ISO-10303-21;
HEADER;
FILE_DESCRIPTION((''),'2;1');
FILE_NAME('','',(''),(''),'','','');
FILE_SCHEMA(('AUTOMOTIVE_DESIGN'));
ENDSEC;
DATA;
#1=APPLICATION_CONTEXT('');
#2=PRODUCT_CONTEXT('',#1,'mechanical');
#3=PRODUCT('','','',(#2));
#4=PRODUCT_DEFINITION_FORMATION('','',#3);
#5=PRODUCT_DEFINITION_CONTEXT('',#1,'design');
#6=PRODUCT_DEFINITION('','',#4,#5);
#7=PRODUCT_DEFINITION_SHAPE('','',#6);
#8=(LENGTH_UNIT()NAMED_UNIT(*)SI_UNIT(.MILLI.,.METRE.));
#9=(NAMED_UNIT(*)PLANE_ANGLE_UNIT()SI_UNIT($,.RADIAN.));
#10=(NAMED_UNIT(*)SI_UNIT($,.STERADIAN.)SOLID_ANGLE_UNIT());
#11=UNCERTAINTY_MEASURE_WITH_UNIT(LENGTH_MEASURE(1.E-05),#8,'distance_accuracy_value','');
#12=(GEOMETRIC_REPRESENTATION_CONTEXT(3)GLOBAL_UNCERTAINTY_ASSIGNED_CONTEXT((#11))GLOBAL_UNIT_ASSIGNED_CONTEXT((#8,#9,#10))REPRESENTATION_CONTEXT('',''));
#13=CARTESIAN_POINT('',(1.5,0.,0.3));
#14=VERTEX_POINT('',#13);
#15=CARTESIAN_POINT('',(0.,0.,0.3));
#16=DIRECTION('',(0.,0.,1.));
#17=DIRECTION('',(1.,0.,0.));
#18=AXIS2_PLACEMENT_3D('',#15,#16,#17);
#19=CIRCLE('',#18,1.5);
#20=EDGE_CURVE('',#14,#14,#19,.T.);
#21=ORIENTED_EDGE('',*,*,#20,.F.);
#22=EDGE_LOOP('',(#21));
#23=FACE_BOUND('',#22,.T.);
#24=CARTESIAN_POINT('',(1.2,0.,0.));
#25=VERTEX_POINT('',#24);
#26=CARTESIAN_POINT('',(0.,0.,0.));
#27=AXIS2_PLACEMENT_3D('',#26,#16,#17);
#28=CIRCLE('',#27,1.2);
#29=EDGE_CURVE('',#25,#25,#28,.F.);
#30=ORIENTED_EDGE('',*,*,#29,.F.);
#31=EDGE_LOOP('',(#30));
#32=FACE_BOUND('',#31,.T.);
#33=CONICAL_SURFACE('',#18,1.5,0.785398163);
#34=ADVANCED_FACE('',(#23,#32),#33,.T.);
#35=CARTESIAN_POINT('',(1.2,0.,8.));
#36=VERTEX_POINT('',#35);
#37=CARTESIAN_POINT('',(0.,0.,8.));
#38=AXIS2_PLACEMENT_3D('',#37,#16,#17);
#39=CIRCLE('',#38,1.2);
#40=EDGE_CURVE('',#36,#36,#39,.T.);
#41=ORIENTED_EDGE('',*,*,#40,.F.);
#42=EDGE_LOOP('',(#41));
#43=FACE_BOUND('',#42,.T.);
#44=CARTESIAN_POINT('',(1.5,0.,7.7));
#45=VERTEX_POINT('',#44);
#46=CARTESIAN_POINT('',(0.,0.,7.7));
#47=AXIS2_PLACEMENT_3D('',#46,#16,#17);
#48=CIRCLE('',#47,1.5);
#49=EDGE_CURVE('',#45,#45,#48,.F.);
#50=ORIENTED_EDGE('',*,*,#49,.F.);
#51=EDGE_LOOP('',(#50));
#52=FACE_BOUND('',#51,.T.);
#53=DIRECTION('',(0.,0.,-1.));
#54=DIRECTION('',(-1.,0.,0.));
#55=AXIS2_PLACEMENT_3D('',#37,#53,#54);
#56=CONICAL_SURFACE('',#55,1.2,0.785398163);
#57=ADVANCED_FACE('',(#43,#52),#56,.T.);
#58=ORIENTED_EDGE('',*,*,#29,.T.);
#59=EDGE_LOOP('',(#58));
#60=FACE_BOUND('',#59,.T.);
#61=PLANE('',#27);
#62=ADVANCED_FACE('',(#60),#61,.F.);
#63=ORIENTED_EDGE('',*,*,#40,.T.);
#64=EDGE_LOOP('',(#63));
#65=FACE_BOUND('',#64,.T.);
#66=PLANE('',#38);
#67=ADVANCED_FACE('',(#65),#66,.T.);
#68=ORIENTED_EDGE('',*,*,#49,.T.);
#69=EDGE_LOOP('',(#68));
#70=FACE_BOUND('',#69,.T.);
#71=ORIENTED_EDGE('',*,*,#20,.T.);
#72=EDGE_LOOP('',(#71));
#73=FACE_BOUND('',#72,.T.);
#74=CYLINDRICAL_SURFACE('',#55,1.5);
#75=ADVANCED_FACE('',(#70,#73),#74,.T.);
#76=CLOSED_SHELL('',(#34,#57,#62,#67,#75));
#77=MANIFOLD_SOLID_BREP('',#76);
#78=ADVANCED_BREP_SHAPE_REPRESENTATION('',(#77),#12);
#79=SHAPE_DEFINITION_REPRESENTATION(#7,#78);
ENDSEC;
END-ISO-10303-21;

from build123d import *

# Parameters (mm, degrees)
SKETCH_1_R      = 1.5
EXTRUDE_1_DEPTH = 8
CHAMFER_1_SIZE  = 0.3


with BuildPart() as part:
    # 草图1 → 凸台-拉伸1 (new body)
    with BuildSketch(Plane.XY):
        Circle(SKETCH_1_R)
    extrude(amount=EXTRUDE_1_DEPTH)

    # 倒角1
    chamfer_1_edges = [part.edges().sort_by_distance(p)[0] for p in [
        (-1.5, 0, 0),
        (-1.5, 0, 8),
    ]]
    chamfer(chamfer_1_edges, length=CHAMFER_1_SIZE)


solid = part.part
